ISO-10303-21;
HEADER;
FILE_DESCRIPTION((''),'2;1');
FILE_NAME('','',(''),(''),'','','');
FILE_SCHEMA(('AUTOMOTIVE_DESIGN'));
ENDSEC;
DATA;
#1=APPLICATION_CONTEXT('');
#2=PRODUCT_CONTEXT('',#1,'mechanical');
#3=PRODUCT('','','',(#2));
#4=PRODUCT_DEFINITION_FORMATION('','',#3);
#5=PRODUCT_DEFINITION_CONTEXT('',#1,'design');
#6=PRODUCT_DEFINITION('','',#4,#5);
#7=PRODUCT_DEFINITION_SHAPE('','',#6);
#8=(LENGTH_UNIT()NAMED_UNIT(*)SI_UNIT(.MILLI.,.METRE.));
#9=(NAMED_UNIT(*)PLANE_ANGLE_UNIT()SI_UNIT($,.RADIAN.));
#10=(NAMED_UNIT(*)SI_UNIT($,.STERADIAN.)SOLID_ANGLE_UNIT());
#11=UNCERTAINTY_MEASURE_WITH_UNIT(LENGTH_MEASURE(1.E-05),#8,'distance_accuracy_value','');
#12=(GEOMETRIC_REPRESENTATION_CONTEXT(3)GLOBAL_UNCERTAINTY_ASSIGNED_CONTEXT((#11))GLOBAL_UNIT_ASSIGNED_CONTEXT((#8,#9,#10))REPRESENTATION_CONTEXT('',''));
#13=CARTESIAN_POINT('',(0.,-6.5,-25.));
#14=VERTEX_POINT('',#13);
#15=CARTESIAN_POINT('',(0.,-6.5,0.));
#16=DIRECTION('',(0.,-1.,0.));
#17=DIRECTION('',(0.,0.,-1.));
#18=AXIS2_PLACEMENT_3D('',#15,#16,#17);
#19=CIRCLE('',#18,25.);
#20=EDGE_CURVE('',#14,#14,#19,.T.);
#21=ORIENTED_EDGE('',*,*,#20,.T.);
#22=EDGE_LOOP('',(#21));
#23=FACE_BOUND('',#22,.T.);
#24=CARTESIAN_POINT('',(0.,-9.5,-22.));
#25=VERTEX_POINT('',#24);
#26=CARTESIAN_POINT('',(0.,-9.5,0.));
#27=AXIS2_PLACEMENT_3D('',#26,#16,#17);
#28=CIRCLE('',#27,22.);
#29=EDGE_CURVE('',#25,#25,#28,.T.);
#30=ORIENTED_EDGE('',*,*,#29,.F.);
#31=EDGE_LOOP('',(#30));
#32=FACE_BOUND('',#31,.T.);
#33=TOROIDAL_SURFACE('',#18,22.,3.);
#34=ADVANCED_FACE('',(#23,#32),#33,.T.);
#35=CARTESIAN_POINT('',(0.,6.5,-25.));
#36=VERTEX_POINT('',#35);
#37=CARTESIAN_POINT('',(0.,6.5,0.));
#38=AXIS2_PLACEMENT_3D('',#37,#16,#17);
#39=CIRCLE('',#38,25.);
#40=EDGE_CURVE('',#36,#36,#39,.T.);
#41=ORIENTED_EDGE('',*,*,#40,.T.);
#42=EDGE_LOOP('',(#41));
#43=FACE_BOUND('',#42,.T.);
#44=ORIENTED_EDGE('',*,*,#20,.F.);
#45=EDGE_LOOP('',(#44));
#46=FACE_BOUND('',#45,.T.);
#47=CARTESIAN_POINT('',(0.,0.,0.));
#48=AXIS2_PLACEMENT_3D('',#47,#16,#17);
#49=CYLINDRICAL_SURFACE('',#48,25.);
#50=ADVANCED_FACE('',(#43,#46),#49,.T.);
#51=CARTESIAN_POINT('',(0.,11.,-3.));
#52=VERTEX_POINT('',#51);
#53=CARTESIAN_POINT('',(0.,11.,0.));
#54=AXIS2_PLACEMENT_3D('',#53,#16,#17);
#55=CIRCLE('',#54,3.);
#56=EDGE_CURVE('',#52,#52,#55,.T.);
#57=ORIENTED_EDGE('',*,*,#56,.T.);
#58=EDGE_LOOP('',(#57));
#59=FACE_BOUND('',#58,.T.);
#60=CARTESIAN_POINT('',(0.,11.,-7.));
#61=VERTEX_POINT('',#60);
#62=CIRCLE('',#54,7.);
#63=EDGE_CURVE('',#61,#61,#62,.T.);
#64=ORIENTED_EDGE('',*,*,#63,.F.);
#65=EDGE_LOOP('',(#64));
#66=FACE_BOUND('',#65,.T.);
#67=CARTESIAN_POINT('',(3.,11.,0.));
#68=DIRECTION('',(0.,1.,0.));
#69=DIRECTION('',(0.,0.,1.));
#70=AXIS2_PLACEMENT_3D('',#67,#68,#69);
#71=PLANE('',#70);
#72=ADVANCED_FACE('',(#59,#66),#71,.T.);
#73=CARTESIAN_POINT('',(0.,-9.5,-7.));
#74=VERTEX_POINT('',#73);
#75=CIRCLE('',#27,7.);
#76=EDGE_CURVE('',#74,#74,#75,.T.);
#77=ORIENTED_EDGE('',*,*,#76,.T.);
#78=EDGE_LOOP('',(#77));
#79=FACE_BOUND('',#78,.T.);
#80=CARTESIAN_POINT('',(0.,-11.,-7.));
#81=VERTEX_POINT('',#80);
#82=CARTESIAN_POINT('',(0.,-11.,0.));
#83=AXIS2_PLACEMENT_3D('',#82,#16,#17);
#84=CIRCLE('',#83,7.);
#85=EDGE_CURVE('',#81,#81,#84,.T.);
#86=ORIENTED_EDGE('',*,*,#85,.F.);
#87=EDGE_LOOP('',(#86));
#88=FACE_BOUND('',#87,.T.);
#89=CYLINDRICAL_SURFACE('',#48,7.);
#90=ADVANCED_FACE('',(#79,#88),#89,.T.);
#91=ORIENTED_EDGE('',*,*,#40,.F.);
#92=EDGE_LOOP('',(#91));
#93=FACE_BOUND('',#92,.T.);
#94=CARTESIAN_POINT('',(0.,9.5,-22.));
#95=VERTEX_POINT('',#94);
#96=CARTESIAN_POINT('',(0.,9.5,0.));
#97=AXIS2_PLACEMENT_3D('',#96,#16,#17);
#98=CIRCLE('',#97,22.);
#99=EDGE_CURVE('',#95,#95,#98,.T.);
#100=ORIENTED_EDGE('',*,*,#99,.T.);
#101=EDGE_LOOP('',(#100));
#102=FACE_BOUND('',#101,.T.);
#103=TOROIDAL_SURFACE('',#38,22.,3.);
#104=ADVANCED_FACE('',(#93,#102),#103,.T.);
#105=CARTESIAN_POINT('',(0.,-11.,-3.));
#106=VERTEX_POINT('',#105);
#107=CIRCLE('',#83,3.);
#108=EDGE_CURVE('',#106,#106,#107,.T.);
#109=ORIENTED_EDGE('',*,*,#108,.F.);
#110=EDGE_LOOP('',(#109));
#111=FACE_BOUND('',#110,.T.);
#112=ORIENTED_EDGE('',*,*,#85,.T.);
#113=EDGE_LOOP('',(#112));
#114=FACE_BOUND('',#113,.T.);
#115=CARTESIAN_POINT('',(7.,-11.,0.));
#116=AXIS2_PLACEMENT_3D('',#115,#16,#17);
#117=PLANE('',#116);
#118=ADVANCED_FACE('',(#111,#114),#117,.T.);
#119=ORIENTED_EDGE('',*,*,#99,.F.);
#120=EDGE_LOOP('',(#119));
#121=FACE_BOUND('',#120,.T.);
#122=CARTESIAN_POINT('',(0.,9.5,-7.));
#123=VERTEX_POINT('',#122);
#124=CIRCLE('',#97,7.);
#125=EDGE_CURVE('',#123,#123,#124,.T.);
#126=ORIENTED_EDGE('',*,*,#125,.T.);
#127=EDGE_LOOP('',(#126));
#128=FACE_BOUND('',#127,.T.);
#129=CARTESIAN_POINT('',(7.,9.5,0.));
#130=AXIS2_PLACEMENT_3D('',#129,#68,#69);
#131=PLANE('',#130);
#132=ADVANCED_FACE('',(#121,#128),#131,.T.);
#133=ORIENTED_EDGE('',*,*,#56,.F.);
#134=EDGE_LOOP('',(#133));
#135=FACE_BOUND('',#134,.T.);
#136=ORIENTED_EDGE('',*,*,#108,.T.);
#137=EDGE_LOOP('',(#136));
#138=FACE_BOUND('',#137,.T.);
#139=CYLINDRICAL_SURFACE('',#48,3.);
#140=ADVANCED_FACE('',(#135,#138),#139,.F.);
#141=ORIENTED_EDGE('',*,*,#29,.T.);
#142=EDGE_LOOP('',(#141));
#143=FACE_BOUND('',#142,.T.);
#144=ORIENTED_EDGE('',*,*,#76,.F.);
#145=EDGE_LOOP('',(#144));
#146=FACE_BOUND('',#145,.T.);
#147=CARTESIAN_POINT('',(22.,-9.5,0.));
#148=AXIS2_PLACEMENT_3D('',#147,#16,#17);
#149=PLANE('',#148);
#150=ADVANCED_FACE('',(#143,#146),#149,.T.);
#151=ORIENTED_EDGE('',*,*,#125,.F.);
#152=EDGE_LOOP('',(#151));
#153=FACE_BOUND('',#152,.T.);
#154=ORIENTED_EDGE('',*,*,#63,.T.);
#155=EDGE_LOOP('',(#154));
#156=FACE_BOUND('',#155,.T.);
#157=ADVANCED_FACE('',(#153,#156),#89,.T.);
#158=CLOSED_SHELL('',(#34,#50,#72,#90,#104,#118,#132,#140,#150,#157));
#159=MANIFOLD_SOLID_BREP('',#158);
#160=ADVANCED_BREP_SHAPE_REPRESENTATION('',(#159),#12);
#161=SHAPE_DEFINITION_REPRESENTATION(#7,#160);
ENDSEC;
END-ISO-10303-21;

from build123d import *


with BuildPart() as part:
    # Sketch2 → Revolve2 (revolve)
    with BuildSketch(Plane.XY):
        with BuildLine():
            Line((3, -11), (3, 11))
            Line((3, 11), (7, 11))
            Line((7, 11), (7, 9.5))
            Line((7, 9.5), (22, 9.5))
            ThreePointArc((22, 9.5), (24.121320344, 8.621320344), (25, 6.5))
            Line((25, 6.5), (25, -6.5))
            ThreePointArc((25, -6.5), (24.121320344, -8.621320344), (22, -9.5))
            Line((22, -9.5), (7, -9.5))
            Line((7, -9.5), (7, -11))
            Line((7, -11), (3, -11))
        make_face()
    revolve(axis=Axis((0, 0, 0), (0, 1, 0)))


solid = part.part
